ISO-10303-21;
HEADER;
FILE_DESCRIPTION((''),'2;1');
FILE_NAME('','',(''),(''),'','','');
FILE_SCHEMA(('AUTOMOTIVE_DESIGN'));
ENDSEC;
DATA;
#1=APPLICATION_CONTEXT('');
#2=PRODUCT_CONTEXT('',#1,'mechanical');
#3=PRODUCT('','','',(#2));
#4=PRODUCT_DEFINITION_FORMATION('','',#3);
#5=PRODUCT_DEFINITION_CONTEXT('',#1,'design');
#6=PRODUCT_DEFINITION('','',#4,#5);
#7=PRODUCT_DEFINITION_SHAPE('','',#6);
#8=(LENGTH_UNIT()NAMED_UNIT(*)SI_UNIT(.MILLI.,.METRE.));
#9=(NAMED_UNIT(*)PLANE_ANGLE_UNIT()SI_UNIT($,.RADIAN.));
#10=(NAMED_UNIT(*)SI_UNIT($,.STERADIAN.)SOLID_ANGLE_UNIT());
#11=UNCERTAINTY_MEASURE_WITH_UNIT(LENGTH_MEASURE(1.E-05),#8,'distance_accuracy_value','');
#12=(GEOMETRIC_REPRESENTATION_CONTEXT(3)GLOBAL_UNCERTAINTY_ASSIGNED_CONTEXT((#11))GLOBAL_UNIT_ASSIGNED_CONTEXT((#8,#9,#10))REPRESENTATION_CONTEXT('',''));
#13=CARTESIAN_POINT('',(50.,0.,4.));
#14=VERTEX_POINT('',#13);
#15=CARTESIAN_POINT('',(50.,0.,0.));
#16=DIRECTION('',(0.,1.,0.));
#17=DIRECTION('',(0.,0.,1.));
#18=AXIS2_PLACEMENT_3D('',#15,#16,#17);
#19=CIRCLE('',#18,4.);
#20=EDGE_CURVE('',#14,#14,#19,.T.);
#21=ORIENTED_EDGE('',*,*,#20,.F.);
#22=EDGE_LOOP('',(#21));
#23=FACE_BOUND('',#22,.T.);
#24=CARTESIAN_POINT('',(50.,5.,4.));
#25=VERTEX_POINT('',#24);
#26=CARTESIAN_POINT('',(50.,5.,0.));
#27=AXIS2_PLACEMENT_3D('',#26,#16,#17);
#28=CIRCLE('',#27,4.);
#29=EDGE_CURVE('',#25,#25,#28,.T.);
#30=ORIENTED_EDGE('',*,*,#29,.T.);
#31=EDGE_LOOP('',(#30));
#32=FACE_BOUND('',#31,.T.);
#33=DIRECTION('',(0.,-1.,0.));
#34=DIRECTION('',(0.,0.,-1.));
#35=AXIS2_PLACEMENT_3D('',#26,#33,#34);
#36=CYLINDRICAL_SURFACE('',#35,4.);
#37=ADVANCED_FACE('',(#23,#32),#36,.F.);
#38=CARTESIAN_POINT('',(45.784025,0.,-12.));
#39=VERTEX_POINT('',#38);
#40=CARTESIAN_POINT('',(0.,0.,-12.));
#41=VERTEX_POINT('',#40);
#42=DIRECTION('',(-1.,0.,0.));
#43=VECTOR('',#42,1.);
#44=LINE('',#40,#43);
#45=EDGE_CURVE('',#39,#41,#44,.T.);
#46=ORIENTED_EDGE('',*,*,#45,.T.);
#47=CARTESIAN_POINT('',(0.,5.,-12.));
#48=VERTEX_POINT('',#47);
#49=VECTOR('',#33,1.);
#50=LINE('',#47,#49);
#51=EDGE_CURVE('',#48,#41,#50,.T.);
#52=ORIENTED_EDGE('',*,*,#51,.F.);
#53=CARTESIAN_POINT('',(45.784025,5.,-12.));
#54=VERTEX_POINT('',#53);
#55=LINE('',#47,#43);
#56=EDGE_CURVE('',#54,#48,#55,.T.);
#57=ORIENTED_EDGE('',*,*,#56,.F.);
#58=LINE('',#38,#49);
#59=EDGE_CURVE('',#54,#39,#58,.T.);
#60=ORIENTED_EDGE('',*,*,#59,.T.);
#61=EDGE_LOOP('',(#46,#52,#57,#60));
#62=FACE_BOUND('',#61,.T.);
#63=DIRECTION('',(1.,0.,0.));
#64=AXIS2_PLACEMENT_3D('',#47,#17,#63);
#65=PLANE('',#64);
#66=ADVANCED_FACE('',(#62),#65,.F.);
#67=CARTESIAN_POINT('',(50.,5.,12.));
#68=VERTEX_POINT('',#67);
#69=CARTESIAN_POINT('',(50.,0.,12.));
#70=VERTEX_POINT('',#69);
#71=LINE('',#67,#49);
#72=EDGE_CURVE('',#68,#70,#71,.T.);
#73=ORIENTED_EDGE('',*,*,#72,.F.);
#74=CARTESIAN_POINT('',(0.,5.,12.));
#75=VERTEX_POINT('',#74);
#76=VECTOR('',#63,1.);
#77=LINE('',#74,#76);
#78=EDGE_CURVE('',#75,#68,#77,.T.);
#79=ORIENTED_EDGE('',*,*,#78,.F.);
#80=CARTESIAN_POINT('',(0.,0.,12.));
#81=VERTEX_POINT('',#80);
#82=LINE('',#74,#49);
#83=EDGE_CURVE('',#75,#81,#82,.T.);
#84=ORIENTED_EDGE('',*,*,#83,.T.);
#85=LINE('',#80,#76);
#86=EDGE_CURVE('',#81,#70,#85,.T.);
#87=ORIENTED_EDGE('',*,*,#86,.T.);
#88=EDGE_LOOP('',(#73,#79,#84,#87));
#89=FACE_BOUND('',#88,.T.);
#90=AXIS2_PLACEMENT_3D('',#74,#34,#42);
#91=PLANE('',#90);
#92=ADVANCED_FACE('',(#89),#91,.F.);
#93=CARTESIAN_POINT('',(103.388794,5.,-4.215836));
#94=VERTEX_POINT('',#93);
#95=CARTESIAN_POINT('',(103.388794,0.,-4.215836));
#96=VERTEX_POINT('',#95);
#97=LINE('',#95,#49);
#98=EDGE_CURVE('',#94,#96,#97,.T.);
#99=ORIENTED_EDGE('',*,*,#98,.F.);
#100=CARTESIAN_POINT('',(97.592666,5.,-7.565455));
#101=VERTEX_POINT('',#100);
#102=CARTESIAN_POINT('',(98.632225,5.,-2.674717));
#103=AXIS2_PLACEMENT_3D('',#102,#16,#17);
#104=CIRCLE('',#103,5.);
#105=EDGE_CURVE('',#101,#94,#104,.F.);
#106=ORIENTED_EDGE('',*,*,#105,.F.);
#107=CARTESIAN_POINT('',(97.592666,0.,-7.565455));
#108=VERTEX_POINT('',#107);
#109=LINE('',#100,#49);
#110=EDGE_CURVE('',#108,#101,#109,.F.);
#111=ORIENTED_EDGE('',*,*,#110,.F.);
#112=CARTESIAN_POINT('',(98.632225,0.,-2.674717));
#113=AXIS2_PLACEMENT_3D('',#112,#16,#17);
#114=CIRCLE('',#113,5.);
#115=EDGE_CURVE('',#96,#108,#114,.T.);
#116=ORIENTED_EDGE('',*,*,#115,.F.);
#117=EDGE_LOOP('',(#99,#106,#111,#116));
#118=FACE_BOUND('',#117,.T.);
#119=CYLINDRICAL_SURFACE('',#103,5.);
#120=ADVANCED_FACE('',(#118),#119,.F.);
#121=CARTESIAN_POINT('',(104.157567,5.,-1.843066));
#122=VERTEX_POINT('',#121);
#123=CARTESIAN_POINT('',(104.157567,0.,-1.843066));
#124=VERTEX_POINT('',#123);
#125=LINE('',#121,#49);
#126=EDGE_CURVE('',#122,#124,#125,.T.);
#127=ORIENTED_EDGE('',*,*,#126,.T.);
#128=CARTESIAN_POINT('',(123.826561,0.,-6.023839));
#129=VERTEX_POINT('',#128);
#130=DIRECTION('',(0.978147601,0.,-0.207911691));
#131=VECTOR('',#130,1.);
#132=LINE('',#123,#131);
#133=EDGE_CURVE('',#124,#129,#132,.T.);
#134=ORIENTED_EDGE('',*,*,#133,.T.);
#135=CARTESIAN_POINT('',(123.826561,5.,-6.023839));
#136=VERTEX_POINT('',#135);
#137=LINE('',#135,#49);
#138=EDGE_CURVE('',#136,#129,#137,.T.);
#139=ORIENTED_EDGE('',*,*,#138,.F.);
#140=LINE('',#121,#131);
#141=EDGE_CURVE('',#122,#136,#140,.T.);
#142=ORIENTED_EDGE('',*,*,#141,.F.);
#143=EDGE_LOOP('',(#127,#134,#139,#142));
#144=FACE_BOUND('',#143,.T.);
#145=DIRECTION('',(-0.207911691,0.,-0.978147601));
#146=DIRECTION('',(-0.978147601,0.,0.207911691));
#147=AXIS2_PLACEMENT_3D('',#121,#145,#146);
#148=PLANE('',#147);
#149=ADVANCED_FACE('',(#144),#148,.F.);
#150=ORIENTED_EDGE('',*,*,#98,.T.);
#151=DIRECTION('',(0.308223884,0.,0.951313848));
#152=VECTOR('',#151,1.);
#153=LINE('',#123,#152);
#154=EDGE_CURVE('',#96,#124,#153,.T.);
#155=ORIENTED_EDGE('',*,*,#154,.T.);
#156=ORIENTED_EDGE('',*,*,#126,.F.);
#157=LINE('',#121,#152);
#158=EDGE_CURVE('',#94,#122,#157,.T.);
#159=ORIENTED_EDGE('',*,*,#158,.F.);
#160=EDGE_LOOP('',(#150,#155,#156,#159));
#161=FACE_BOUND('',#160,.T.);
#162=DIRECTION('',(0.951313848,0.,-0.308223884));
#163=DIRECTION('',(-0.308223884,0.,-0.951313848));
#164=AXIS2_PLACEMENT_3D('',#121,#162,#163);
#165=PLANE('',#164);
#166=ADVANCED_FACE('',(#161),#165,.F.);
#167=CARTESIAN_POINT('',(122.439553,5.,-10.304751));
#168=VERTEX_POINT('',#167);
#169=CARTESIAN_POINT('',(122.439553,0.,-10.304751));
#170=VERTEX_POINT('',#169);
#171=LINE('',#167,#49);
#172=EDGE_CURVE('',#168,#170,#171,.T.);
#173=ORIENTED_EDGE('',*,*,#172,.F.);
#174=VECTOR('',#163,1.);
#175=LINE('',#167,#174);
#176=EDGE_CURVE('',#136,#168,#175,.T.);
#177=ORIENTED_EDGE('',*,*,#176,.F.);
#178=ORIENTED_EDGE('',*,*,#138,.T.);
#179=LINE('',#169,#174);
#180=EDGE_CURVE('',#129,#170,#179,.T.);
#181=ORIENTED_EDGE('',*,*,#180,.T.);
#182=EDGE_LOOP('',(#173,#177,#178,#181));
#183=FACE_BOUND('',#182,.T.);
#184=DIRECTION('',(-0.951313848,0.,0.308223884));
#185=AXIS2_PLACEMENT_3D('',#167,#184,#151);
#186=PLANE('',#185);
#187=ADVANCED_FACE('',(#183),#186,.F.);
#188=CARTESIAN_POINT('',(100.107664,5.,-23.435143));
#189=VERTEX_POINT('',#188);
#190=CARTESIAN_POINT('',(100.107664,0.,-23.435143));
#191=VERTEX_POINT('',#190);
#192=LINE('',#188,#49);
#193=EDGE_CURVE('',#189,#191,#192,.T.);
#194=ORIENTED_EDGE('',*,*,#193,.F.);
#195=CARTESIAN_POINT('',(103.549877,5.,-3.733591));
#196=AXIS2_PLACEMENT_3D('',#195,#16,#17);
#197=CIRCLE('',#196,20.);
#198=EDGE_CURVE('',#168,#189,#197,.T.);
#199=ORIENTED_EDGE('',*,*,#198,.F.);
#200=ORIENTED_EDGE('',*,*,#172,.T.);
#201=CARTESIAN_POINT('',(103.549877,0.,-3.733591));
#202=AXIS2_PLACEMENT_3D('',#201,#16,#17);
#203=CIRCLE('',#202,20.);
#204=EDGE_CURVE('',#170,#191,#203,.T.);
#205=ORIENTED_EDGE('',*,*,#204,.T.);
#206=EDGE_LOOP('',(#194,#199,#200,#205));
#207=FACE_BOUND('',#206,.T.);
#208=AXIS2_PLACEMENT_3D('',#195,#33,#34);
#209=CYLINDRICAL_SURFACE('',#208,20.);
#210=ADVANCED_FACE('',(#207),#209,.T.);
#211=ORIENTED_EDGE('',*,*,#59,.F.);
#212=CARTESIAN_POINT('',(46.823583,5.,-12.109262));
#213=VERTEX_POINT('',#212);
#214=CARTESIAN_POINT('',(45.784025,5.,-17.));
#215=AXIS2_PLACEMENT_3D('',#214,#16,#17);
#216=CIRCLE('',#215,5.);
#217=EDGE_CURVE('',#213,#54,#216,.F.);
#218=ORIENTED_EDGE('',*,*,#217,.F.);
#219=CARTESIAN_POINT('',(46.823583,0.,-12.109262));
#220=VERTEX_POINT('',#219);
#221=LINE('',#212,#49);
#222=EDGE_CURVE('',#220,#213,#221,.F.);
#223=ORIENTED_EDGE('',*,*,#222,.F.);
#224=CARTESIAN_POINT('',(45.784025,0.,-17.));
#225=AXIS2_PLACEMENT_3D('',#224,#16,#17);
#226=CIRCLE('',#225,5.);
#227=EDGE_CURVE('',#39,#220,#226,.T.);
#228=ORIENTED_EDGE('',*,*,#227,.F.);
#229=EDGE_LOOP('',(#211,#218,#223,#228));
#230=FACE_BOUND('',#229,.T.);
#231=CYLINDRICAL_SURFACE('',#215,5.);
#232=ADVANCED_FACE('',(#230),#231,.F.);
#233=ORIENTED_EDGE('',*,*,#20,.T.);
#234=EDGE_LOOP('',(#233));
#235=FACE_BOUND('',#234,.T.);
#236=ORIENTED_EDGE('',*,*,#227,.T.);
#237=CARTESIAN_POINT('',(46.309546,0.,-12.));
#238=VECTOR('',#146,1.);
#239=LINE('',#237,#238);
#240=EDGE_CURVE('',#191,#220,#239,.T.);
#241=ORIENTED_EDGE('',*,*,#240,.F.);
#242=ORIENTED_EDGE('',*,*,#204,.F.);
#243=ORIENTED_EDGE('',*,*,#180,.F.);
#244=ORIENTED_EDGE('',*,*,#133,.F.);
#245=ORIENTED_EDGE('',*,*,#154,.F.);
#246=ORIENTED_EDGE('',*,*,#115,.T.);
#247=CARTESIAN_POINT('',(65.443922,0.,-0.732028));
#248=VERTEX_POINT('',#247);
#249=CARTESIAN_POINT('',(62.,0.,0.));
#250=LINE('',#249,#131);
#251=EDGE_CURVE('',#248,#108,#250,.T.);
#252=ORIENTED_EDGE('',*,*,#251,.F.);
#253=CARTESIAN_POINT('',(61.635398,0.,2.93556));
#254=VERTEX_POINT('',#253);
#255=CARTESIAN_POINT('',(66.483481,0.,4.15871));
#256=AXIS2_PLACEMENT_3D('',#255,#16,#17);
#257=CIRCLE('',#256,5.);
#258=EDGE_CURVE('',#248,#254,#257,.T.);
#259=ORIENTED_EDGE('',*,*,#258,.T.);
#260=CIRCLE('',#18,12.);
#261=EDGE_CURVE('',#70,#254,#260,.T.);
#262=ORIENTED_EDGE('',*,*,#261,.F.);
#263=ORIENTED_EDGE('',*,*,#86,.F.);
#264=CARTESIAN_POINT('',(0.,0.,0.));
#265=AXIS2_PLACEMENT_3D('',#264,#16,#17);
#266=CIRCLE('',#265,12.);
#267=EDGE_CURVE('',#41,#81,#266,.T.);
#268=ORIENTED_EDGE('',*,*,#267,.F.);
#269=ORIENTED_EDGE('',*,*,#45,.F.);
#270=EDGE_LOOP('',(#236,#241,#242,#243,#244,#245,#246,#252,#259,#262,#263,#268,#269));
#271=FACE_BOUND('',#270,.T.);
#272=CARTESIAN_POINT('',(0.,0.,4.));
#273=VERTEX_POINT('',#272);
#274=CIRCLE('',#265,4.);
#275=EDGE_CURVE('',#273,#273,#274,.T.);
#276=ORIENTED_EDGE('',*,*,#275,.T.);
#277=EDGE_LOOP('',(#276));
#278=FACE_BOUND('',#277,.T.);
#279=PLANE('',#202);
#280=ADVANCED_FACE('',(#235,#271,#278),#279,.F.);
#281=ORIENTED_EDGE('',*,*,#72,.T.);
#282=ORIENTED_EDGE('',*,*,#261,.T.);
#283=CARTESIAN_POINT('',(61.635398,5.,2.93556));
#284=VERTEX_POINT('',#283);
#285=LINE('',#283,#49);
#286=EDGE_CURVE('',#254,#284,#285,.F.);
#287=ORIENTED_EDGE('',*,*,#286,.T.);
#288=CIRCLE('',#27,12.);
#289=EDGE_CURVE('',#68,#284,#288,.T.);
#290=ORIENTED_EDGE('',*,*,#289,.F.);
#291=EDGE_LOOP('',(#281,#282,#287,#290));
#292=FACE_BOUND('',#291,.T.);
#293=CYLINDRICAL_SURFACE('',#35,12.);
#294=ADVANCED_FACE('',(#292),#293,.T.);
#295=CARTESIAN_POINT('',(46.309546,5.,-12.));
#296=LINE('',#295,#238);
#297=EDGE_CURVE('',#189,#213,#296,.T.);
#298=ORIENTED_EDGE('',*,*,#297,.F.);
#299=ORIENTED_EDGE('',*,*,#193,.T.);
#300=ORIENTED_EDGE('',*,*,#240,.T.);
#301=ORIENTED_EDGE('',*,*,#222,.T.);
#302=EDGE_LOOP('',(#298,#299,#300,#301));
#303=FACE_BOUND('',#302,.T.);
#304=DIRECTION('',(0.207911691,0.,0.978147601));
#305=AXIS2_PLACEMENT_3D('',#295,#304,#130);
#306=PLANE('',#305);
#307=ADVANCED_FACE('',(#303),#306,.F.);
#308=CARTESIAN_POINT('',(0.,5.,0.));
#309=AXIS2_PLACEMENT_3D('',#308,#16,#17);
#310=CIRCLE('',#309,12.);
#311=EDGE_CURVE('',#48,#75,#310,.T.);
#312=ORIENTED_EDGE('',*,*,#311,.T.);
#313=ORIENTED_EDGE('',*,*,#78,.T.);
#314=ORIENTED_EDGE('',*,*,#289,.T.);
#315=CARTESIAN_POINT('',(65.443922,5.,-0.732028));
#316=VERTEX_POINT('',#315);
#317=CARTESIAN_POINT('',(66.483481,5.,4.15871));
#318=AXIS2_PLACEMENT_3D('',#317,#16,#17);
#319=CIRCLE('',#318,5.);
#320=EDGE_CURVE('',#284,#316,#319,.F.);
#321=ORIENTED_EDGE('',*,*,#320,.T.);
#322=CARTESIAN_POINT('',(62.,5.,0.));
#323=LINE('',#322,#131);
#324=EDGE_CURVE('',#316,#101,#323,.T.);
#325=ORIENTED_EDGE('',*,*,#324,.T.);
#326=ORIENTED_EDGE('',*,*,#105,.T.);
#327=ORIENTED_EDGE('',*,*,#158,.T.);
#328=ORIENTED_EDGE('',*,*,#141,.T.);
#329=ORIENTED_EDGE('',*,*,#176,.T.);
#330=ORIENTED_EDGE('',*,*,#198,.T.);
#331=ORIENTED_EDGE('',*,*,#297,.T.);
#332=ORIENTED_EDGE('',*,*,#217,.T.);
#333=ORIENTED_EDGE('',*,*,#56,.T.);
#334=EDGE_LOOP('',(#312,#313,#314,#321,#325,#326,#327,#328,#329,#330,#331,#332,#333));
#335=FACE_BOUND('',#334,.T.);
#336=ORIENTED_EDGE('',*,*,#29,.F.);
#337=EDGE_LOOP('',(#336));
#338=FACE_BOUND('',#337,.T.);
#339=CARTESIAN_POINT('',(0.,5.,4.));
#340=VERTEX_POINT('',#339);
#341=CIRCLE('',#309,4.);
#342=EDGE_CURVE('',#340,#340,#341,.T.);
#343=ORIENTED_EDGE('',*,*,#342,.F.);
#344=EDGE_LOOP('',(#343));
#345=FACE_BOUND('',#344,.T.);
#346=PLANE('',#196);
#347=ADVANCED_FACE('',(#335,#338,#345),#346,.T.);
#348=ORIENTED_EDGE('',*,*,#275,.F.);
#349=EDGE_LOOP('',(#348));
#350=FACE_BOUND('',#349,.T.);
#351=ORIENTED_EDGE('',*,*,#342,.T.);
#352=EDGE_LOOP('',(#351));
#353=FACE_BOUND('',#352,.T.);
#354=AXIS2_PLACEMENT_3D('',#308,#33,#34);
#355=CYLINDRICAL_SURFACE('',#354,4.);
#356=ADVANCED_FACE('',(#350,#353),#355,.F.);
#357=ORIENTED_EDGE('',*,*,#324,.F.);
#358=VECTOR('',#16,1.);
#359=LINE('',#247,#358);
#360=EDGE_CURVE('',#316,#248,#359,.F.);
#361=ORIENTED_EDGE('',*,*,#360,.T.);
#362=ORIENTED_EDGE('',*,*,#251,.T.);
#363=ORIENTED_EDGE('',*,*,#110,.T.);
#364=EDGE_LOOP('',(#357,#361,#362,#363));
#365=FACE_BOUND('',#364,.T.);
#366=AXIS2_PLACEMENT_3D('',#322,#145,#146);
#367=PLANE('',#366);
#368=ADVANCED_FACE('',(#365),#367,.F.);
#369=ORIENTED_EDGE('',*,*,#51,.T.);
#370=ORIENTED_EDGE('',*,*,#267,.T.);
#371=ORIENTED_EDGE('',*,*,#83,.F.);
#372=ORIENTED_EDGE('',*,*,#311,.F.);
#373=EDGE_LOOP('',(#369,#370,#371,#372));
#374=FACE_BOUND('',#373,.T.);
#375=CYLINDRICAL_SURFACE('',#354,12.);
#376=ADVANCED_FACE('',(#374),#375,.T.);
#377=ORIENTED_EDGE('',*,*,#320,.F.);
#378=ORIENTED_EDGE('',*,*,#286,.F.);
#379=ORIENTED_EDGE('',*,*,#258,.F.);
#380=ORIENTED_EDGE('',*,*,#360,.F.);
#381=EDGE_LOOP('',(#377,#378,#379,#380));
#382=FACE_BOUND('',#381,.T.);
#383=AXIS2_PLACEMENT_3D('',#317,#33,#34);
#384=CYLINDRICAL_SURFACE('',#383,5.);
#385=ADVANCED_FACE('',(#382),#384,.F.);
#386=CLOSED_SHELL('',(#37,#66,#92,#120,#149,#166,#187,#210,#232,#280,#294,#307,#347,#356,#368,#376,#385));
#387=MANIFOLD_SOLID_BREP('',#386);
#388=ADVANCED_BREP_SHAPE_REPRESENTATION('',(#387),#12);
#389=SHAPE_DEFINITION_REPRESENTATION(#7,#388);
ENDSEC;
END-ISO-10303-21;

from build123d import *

# Parameters (mm, degrees)
SKETCH1_R           = 4
BOSS_EXTRUDE1_DEPTH = 5
FILLET1_R           = 5


with BuildPart() as part:
    # Sketch1 → Boss-Extrude1 (new body)
    with BuildSketch(Plane(origin=(0, 0, 0), x_dir=(1, 0, 0), z_dir=(0, 1, 0))):
        with BuildLine():
            Line((0, 12), (46.309546143, 12))
            Line((46.309546143, 12), (100.107664183, 23.435142995))
            ThreePointArc((100.107664183, 23.435142995), (113.686830565, 20.974303457), (122.439553034, 10.304751439))
            Line((122.439553034, 10.304751439), (123.826560512, 6.023839123))
            Line((123.826560512, 6.023839123), (104.157567187, 1.843065531))
            Line((104.157567187, 1.843065531), (102, 8.502262467))
            Line((102, 8.502262467), (62, 0))
            ThreePointArc((62, 0), (58.485281374, -8.485281374), (50, -12))
            Line((50, -12), (0, -12))
            ThreePointArc((0, -12), (-12, 0), (0, 12))
        make_face()
        with Locations(Location((0, 0, 0), (0, 0, 270))):
            Circle(SKETCH1_R, mode=Mode.SUBTRACT)
        with Locations(Location((50, 0, 0), (0, 0, 270))):
            Circle(SKETCH1_R, mode=Mode.SUBTRACT)
    extrude(amount=BOSS_EXTRUDE1_DEPTH)

    # Fillet1
    fillet1_edges = [part.edges().sort_by_distance(p)[0] for p in [
        (102, 2.5, -8.502262467),
        (62, 2.5, 0),
        (46.309546143, 2.5, -12),
    ]]
    fillet(fillet1_edges, radius=FILLET1_R)


solid = part.part
